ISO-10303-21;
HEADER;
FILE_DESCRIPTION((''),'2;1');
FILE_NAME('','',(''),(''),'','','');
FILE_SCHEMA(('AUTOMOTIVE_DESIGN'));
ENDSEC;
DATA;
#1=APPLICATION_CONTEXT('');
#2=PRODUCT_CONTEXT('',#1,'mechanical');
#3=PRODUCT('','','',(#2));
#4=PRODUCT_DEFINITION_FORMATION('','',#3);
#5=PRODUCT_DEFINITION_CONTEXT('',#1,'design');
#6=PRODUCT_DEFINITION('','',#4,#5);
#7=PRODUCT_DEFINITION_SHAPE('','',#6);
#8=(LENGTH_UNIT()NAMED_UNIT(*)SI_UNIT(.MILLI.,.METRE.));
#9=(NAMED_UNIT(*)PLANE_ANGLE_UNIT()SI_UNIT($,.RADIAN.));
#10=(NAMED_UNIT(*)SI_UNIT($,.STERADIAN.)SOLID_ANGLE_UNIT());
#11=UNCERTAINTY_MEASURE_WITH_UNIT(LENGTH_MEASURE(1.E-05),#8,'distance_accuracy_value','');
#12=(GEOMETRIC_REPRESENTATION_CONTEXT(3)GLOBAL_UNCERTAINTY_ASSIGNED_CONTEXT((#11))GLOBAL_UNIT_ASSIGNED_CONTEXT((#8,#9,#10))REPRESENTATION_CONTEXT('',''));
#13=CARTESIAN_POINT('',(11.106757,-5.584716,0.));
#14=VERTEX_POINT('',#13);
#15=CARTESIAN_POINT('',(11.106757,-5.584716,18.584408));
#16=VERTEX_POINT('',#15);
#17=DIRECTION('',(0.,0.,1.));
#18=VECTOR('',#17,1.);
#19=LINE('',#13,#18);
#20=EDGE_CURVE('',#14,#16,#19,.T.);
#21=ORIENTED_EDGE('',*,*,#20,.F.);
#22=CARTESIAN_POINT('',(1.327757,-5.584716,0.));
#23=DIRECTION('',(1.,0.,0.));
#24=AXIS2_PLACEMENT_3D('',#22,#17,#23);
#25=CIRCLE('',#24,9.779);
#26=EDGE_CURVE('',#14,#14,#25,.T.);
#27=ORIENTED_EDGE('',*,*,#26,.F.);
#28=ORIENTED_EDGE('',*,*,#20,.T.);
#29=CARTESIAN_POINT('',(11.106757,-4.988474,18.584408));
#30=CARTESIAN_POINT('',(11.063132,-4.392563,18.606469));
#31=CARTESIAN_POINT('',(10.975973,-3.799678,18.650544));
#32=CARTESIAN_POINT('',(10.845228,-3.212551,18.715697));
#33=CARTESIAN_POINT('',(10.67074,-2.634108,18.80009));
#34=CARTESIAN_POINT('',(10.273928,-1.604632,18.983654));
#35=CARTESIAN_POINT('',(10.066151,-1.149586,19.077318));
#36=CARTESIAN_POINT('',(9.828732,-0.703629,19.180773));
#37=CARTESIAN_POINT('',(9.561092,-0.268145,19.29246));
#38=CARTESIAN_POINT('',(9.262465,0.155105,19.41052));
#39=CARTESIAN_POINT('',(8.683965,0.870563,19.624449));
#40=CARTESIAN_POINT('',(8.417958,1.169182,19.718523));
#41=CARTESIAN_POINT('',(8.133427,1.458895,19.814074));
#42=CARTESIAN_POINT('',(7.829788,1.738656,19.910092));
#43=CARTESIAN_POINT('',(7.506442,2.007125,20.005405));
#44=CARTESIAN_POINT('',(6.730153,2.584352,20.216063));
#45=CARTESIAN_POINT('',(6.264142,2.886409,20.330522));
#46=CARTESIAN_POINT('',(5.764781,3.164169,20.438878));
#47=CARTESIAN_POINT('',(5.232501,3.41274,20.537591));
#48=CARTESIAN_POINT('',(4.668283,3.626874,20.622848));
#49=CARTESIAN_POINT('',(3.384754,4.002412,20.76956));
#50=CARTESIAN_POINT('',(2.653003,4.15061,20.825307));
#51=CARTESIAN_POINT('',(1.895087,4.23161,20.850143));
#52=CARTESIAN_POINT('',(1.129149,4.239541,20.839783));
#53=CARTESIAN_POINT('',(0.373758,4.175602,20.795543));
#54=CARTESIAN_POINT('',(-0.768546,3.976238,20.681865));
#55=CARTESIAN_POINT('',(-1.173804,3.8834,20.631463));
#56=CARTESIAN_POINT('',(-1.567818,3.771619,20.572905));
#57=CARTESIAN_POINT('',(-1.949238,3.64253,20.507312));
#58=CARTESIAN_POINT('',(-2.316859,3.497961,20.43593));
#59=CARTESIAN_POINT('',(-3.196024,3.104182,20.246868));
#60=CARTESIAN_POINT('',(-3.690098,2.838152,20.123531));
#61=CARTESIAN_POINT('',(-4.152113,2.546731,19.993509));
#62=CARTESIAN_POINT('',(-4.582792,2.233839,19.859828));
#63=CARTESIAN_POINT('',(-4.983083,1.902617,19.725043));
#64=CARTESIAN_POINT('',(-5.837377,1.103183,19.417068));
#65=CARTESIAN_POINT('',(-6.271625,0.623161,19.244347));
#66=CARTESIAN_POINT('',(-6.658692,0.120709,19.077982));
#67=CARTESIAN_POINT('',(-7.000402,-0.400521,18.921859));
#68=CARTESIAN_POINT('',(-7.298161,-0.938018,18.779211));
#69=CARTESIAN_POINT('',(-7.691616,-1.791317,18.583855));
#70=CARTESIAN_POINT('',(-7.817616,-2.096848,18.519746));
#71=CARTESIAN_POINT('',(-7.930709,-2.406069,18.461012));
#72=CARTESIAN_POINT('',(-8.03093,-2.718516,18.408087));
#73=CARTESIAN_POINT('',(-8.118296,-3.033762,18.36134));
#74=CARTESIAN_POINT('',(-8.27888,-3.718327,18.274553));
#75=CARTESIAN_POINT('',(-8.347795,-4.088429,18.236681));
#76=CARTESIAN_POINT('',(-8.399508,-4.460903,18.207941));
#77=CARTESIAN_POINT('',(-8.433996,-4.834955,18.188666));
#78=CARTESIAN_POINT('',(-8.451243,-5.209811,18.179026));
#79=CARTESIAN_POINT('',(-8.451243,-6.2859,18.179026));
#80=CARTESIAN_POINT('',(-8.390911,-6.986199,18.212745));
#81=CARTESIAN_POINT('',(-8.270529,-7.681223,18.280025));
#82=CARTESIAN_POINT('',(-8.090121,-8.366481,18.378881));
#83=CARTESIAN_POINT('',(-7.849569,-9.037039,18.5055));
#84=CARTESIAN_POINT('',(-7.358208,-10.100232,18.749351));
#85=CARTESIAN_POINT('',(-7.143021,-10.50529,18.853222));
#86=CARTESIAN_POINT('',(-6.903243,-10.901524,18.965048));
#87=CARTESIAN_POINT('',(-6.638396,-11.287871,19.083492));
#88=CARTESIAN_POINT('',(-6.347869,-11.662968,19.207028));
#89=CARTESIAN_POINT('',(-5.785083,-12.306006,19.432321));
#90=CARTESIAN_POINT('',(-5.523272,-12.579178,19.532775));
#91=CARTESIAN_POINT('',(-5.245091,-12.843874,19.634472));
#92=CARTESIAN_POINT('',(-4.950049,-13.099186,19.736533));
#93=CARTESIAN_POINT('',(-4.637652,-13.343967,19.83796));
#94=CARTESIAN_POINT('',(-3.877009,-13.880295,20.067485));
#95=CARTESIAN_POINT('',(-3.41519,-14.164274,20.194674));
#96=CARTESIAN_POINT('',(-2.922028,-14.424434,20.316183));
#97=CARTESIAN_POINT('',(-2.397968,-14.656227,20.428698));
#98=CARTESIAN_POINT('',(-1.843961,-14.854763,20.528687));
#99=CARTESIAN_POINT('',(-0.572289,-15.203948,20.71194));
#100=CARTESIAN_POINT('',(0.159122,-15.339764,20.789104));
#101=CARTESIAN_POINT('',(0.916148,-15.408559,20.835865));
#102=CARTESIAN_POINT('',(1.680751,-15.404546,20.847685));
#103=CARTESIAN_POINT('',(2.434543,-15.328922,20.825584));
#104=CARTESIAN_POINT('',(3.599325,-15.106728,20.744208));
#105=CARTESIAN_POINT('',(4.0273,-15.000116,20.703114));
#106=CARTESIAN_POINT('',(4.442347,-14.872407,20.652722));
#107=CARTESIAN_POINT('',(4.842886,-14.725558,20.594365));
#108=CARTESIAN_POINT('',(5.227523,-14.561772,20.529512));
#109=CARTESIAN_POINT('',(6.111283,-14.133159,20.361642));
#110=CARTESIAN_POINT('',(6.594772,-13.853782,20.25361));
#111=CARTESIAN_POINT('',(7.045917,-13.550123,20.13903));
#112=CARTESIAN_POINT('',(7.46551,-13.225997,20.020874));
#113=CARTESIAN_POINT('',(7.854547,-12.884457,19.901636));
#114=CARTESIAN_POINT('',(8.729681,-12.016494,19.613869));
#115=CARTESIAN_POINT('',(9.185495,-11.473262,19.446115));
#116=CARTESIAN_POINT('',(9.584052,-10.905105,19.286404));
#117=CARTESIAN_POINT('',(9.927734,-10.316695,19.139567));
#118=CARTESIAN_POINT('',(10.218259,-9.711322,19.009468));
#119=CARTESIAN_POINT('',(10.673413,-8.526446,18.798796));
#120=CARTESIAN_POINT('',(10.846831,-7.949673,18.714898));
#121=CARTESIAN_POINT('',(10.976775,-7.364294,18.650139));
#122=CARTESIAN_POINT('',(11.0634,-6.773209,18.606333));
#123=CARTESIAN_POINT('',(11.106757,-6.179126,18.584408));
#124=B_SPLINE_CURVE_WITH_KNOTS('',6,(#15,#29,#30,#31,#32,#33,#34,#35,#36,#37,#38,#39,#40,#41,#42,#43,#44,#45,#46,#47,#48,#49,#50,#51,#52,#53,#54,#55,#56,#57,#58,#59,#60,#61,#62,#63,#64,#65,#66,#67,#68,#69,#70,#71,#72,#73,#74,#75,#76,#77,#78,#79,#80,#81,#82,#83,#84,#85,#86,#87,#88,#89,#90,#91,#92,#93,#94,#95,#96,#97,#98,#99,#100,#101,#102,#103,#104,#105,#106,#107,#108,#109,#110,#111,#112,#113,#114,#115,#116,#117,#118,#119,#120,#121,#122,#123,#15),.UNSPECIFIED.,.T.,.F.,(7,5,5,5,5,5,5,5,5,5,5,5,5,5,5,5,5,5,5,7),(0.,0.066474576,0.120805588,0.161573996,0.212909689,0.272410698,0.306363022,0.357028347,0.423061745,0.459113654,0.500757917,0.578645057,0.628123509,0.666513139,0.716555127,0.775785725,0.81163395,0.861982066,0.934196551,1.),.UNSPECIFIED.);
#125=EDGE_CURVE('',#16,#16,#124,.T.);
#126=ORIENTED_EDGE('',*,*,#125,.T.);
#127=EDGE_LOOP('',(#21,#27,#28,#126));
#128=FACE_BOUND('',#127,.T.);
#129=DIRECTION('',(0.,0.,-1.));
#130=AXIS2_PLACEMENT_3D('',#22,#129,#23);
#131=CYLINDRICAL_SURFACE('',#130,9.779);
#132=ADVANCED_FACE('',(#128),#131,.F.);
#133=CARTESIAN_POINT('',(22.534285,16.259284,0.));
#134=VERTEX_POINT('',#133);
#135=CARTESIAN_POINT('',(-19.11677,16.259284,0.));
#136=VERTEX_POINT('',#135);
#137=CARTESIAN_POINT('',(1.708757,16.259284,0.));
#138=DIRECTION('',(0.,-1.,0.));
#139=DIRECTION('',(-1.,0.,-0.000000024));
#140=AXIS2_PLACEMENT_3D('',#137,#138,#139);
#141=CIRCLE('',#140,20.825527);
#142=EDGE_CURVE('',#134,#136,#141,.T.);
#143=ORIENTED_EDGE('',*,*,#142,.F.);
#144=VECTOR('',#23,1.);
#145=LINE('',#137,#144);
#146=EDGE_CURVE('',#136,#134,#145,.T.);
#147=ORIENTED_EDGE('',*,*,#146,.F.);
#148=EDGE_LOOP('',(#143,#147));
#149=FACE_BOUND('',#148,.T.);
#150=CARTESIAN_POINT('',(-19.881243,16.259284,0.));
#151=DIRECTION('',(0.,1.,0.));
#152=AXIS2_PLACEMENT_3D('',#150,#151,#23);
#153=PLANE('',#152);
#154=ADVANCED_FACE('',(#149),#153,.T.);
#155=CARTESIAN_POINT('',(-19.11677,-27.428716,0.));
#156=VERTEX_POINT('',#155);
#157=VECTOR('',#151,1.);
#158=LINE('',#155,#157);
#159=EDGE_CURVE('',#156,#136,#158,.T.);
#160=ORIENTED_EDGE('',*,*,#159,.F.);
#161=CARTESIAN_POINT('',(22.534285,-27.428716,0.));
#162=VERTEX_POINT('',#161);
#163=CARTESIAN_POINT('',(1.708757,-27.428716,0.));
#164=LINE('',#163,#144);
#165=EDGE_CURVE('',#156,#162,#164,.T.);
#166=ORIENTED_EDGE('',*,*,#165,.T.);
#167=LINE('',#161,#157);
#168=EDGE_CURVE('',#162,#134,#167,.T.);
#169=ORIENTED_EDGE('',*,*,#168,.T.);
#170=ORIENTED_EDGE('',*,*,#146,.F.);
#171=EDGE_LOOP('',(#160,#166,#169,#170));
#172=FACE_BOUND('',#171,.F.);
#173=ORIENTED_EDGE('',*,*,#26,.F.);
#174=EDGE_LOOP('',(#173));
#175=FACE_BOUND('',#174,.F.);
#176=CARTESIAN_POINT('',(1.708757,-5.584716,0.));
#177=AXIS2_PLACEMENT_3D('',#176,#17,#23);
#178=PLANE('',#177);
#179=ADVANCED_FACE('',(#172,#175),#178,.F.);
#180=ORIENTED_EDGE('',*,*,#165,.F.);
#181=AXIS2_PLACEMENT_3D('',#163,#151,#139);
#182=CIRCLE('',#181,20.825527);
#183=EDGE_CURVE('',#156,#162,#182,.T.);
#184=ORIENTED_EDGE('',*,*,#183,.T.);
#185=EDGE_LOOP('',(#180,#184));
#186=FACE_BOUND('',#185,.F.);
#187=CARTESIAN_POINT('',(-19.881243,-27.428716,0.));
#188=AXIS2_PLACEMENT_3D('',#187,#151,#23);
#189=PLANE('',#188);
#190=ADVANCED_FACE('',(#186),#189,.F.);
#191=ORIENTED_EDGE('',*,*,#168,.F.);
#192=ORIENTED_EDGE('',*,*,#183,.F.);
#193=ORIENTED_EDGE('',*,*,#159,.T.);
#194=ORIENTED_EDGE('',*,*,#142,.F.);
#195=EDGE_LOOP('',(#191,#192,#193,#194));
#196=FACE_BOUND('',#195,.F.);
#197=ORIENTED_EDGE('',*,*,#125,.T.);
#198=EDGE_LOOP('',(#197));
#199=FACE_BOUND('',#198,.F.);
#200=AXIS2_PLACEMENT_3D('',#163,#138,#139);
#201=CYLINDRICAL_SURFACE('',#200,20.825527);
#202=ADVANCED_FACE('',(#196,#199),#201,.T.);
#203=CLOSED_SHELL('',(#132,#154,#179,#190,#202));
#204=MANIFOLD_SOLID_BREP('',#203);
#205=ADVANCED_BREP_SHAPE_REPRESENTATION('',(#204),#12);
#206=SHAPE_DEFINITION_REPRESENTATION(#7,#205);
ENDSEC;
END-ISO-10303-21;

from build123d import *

# Parameters (mm, degrees)
F0_W     = 43.18
F0_H     = 43.688
F0_R     = 9.779
F1_DEPTH = 20.828
F3_DEPTH = 43.689


with BuildPart() as f1:
    # F0 (on Top) → F1 (new body)
    with BuildSketch(Plane.XY):
        with Locations((1.708757, -5.584716)):
            Rectangle(F0_W, F0_H)
        with Locations((1.327757, -5.584716)):
            Circle(F0_R, mode=Mode.SUBTRACT)
    extrude(amount=F1_DEPTH)

    # F2 (on face) → F3 (cut, through all)
    with BuildSketch(Plane.XZ.offset(27.428716)):
        with BuildLine():
            ThreePointArc((-19.11677, 0), (1.708757, 20.825528), (22.534285, 0))
            Line((22.534285, 0), (23.298757, 0))
            Line((23.298757, 0), (23.298757, 20.828))
            Line((23.298757, 20.828), (-19.881243, 20.828))
            Line((-19.881243, 20.828), (-19.881243, 0))
            Line((-19.881243, 0), (-19.11677, 0))
        make_face()
    extrude(amount=-F3_DEPTH, mode=Mode.SUBTRACT)


solid = f1.part
